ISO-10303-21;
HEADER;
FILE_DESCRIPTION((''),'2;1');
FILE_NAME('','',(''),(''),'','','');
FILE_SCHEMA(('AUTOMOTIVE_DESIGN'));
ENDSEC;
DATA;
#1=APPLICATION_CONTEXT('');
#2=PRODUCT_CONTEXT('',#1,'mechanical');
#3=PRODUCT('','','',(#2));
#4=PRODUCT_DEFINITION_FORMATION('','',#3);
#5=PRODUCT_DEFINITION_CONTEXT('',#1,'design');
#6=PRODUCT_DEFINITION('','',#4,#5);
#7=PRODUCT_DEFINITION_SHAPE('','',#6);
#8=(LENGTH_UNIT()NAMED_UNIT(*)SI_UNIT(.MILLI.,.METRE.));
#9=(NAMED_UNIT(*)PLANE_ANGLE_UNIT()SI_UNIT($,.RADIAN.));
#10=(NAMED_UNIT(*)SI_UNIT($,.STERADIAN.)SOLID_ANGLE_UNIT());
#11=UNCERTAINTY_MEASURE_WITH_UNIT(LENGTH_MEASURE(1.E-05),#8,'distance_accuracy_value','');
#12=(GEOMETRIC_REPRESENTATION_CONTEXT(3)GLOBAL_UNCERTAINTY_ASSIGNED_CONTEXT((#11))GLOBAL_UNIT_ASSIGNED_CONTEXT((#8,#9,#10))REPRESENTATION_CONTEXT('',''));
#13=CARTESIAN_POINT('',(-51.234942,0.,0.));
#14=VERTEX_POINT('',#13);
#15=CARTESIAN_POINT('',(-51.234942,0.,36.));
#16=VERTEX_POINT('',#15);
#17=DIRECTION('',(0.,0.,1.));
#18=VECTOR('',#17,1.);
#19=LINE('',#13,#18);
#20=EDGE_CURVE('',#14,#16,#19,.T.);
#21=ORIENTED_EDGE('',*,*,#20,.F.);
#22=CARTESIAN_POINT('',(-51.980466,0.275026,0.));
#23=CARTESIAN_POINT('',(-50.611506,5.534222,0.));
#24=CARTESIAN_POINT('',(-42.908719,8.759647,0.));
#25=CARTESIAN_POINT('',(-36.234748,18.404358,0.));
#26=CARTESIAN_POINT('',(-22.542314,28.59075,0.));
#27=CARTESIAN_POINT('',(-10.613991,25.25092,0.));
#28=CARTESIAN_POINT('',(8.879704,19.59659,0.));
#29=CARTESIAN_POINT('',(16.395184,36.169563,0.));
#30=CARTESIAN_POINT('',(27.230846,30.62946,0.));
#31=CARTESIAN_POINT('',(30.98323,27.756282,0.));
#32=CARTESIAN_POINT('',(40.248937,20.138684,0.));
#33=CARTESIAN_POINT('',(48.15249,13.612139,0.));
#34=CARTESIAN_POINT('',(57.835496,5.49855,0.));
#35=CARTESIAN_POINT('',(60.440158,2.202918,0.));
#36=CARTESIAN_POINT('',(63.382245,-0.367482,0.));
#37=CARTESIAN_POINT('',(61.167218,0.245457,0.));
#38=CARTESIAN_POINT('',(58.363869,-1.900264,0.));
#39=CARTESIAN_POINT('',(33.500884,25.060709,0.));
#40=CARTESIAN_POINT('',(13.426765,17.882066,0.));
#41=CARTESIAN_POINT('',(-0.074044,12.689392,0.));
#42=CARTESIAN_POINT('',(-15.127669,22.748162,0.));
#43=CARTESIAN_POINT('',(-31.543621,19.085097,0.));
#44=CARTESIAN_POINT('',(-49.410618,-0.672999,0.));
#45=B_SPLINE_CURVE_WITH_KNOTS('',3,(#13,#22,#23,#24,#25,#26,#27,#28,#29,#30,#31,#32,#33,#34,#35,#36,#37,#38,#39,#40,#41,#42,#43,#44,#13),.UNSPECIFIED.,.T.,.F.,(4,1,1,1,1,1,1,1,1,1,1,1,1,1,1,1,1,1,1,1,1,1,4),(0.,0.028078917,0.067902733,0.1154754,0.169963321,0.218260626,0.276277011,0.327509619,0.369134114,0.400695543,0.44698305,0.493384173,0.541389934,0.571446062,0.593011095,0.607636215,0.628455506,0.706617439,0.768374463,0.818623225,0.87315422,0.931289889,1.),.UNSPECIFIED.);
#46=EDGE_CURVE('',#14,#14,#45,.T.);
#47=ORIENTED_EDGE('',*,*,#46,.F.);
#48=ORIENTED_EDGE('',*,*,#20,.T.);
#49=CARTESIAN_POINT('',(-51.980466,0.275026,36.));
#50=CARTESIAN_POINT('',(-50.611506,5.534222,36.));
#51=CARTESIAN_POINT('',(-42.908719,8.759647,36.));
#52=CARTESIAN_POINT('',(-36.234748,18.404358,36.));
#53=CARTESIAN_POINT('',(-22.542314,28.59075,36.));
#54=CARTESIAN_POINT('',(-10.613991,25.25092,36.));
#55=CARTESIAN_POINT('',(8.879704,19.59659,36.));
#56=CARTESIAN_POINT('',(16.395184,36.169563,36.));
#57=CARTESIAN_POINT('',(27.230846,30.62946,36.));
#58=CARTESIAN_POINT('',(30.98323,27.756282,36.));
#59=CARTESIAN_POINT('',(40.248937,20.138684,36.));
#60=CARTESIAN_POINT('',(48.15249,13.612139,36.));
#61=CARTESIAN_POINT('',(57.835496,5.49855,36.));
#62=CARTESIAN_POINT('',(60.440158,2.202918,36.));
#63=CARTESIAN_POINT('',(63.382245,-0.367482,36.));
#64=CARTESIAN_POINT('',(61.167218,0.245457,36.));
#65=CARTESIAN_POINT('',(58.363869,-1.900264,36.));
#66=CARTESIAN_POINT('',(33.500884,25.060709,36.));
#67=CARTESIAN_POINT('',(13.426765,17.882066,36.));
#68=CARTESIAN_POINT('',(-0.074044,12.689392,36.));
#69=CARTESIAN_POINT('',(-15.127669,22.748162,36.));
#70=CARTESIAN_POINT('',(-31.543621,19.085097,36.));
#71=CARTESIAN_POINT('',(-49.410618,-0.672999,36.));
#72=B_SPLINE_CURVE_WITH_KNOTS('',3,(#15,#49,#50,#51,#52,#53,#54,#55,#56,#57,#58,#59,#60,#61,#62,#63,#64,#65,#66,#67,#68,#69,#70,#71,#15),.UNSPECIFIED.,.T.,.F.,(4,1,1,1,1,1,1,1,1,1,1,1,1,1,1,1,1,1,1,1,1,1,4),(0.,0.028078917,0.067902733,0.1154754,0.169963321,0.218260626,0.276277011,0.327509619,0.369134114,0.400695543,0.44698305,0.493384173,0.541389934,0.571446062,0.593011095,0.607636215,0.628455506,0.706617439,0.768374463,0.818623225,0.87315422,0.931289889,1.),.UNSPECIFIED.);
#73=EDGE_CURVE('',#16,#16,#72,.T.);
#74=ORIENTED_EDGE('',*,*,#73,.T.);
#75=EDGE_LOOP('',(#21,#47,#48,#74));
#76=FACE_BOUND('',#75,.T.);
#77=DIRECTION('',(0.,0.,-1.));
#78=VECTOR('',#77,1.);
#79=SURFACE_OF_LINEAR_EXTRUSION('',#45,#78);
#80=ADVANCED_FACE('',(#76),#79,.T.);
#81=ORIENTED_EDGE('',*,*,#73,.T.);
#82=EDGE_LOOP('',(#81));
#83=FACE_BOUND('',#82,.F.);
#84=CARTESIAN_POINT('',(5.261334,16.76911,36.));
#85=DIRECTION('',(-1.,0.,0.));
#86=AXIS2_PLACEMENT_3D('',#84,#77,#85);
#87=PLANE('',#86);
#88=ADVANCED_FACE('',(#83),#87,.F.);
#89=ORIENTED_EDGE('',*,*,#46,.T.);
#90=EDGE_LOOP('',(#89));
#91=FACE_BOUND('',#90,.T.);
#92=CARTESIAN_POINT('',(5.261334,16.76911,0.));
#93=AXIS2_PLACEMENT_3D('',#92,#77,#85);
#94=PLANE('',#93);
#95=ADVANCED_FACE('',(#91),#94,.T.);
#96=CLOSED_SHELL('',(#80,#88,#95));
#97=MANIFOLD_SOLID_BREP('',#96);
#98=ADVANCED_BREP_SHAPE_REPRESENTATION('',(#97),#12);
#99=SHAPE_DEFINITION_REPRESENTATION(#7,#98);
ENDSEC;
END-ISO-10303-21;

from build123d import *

# Parameters (mm, degrees)
F1_DEPTH = 36


with BuildPart() as f1:
    # F0 (on Top) → F1 (new body)
    with BuildSketch(Plane.XY):
        with BuildLine():
            add(Edge.make_bspline(
                [(-51.2349419296, 0), (-51.9804661294, 0.2750260782), (-50.6115063597, 5.5342220559), (-42.9087192947, 8.7596465537), (-36.2347479125, 18.4043583121), (-22.542313624, 28.5907503091), (-10.6139912798, 25.2509200981), (8.8797041903, 19.5965896896), (16.3951837147, 36.1695628989), (27.230846438, 30.6294598813), (30.9832301511, 27.7562817795), (40.248936756, 20.138684226), (48.1524904437, 13.6121386283), (57.8354963246, 5.4985504535), (60.4401578408, 2.2029175426), (63.3822445807, -0.3674823783), (61.1672179076, 0.2454566079), (58.3638694346, -1.9002637639), (33.500883598, 25.0607086497), (13.4267645521, 17.8820657841), (-0.0740435637, 12.6893923202), (-15.1276692213, 22.7481615188), (-31.5436209468, 19.0850973327), (-49.4106176044, -0.6729986292), (-51.2349419296, 0)],
                knots=[0, 0, 0, 0, 0.0280789166, 0.0679027327, 0.1154754003, 0.1699633212, 0.2182606257, 0.2762770108, 0.3275096191, 0.3691341142, 0.4006955434, 0.4469830501, 0.4933841734, 0.5413899344, 0.5714460622, 0.5930110946, 0.607636215, 0.6284555059, 0.7066174391, 0.7683744628, 0.8186232248, 0.87315422, 0.931289889, 1, 1, 1, 1], degree=3))
        make_face()
    extrude(amount=F1_DEPTH)


solid = f1.part
